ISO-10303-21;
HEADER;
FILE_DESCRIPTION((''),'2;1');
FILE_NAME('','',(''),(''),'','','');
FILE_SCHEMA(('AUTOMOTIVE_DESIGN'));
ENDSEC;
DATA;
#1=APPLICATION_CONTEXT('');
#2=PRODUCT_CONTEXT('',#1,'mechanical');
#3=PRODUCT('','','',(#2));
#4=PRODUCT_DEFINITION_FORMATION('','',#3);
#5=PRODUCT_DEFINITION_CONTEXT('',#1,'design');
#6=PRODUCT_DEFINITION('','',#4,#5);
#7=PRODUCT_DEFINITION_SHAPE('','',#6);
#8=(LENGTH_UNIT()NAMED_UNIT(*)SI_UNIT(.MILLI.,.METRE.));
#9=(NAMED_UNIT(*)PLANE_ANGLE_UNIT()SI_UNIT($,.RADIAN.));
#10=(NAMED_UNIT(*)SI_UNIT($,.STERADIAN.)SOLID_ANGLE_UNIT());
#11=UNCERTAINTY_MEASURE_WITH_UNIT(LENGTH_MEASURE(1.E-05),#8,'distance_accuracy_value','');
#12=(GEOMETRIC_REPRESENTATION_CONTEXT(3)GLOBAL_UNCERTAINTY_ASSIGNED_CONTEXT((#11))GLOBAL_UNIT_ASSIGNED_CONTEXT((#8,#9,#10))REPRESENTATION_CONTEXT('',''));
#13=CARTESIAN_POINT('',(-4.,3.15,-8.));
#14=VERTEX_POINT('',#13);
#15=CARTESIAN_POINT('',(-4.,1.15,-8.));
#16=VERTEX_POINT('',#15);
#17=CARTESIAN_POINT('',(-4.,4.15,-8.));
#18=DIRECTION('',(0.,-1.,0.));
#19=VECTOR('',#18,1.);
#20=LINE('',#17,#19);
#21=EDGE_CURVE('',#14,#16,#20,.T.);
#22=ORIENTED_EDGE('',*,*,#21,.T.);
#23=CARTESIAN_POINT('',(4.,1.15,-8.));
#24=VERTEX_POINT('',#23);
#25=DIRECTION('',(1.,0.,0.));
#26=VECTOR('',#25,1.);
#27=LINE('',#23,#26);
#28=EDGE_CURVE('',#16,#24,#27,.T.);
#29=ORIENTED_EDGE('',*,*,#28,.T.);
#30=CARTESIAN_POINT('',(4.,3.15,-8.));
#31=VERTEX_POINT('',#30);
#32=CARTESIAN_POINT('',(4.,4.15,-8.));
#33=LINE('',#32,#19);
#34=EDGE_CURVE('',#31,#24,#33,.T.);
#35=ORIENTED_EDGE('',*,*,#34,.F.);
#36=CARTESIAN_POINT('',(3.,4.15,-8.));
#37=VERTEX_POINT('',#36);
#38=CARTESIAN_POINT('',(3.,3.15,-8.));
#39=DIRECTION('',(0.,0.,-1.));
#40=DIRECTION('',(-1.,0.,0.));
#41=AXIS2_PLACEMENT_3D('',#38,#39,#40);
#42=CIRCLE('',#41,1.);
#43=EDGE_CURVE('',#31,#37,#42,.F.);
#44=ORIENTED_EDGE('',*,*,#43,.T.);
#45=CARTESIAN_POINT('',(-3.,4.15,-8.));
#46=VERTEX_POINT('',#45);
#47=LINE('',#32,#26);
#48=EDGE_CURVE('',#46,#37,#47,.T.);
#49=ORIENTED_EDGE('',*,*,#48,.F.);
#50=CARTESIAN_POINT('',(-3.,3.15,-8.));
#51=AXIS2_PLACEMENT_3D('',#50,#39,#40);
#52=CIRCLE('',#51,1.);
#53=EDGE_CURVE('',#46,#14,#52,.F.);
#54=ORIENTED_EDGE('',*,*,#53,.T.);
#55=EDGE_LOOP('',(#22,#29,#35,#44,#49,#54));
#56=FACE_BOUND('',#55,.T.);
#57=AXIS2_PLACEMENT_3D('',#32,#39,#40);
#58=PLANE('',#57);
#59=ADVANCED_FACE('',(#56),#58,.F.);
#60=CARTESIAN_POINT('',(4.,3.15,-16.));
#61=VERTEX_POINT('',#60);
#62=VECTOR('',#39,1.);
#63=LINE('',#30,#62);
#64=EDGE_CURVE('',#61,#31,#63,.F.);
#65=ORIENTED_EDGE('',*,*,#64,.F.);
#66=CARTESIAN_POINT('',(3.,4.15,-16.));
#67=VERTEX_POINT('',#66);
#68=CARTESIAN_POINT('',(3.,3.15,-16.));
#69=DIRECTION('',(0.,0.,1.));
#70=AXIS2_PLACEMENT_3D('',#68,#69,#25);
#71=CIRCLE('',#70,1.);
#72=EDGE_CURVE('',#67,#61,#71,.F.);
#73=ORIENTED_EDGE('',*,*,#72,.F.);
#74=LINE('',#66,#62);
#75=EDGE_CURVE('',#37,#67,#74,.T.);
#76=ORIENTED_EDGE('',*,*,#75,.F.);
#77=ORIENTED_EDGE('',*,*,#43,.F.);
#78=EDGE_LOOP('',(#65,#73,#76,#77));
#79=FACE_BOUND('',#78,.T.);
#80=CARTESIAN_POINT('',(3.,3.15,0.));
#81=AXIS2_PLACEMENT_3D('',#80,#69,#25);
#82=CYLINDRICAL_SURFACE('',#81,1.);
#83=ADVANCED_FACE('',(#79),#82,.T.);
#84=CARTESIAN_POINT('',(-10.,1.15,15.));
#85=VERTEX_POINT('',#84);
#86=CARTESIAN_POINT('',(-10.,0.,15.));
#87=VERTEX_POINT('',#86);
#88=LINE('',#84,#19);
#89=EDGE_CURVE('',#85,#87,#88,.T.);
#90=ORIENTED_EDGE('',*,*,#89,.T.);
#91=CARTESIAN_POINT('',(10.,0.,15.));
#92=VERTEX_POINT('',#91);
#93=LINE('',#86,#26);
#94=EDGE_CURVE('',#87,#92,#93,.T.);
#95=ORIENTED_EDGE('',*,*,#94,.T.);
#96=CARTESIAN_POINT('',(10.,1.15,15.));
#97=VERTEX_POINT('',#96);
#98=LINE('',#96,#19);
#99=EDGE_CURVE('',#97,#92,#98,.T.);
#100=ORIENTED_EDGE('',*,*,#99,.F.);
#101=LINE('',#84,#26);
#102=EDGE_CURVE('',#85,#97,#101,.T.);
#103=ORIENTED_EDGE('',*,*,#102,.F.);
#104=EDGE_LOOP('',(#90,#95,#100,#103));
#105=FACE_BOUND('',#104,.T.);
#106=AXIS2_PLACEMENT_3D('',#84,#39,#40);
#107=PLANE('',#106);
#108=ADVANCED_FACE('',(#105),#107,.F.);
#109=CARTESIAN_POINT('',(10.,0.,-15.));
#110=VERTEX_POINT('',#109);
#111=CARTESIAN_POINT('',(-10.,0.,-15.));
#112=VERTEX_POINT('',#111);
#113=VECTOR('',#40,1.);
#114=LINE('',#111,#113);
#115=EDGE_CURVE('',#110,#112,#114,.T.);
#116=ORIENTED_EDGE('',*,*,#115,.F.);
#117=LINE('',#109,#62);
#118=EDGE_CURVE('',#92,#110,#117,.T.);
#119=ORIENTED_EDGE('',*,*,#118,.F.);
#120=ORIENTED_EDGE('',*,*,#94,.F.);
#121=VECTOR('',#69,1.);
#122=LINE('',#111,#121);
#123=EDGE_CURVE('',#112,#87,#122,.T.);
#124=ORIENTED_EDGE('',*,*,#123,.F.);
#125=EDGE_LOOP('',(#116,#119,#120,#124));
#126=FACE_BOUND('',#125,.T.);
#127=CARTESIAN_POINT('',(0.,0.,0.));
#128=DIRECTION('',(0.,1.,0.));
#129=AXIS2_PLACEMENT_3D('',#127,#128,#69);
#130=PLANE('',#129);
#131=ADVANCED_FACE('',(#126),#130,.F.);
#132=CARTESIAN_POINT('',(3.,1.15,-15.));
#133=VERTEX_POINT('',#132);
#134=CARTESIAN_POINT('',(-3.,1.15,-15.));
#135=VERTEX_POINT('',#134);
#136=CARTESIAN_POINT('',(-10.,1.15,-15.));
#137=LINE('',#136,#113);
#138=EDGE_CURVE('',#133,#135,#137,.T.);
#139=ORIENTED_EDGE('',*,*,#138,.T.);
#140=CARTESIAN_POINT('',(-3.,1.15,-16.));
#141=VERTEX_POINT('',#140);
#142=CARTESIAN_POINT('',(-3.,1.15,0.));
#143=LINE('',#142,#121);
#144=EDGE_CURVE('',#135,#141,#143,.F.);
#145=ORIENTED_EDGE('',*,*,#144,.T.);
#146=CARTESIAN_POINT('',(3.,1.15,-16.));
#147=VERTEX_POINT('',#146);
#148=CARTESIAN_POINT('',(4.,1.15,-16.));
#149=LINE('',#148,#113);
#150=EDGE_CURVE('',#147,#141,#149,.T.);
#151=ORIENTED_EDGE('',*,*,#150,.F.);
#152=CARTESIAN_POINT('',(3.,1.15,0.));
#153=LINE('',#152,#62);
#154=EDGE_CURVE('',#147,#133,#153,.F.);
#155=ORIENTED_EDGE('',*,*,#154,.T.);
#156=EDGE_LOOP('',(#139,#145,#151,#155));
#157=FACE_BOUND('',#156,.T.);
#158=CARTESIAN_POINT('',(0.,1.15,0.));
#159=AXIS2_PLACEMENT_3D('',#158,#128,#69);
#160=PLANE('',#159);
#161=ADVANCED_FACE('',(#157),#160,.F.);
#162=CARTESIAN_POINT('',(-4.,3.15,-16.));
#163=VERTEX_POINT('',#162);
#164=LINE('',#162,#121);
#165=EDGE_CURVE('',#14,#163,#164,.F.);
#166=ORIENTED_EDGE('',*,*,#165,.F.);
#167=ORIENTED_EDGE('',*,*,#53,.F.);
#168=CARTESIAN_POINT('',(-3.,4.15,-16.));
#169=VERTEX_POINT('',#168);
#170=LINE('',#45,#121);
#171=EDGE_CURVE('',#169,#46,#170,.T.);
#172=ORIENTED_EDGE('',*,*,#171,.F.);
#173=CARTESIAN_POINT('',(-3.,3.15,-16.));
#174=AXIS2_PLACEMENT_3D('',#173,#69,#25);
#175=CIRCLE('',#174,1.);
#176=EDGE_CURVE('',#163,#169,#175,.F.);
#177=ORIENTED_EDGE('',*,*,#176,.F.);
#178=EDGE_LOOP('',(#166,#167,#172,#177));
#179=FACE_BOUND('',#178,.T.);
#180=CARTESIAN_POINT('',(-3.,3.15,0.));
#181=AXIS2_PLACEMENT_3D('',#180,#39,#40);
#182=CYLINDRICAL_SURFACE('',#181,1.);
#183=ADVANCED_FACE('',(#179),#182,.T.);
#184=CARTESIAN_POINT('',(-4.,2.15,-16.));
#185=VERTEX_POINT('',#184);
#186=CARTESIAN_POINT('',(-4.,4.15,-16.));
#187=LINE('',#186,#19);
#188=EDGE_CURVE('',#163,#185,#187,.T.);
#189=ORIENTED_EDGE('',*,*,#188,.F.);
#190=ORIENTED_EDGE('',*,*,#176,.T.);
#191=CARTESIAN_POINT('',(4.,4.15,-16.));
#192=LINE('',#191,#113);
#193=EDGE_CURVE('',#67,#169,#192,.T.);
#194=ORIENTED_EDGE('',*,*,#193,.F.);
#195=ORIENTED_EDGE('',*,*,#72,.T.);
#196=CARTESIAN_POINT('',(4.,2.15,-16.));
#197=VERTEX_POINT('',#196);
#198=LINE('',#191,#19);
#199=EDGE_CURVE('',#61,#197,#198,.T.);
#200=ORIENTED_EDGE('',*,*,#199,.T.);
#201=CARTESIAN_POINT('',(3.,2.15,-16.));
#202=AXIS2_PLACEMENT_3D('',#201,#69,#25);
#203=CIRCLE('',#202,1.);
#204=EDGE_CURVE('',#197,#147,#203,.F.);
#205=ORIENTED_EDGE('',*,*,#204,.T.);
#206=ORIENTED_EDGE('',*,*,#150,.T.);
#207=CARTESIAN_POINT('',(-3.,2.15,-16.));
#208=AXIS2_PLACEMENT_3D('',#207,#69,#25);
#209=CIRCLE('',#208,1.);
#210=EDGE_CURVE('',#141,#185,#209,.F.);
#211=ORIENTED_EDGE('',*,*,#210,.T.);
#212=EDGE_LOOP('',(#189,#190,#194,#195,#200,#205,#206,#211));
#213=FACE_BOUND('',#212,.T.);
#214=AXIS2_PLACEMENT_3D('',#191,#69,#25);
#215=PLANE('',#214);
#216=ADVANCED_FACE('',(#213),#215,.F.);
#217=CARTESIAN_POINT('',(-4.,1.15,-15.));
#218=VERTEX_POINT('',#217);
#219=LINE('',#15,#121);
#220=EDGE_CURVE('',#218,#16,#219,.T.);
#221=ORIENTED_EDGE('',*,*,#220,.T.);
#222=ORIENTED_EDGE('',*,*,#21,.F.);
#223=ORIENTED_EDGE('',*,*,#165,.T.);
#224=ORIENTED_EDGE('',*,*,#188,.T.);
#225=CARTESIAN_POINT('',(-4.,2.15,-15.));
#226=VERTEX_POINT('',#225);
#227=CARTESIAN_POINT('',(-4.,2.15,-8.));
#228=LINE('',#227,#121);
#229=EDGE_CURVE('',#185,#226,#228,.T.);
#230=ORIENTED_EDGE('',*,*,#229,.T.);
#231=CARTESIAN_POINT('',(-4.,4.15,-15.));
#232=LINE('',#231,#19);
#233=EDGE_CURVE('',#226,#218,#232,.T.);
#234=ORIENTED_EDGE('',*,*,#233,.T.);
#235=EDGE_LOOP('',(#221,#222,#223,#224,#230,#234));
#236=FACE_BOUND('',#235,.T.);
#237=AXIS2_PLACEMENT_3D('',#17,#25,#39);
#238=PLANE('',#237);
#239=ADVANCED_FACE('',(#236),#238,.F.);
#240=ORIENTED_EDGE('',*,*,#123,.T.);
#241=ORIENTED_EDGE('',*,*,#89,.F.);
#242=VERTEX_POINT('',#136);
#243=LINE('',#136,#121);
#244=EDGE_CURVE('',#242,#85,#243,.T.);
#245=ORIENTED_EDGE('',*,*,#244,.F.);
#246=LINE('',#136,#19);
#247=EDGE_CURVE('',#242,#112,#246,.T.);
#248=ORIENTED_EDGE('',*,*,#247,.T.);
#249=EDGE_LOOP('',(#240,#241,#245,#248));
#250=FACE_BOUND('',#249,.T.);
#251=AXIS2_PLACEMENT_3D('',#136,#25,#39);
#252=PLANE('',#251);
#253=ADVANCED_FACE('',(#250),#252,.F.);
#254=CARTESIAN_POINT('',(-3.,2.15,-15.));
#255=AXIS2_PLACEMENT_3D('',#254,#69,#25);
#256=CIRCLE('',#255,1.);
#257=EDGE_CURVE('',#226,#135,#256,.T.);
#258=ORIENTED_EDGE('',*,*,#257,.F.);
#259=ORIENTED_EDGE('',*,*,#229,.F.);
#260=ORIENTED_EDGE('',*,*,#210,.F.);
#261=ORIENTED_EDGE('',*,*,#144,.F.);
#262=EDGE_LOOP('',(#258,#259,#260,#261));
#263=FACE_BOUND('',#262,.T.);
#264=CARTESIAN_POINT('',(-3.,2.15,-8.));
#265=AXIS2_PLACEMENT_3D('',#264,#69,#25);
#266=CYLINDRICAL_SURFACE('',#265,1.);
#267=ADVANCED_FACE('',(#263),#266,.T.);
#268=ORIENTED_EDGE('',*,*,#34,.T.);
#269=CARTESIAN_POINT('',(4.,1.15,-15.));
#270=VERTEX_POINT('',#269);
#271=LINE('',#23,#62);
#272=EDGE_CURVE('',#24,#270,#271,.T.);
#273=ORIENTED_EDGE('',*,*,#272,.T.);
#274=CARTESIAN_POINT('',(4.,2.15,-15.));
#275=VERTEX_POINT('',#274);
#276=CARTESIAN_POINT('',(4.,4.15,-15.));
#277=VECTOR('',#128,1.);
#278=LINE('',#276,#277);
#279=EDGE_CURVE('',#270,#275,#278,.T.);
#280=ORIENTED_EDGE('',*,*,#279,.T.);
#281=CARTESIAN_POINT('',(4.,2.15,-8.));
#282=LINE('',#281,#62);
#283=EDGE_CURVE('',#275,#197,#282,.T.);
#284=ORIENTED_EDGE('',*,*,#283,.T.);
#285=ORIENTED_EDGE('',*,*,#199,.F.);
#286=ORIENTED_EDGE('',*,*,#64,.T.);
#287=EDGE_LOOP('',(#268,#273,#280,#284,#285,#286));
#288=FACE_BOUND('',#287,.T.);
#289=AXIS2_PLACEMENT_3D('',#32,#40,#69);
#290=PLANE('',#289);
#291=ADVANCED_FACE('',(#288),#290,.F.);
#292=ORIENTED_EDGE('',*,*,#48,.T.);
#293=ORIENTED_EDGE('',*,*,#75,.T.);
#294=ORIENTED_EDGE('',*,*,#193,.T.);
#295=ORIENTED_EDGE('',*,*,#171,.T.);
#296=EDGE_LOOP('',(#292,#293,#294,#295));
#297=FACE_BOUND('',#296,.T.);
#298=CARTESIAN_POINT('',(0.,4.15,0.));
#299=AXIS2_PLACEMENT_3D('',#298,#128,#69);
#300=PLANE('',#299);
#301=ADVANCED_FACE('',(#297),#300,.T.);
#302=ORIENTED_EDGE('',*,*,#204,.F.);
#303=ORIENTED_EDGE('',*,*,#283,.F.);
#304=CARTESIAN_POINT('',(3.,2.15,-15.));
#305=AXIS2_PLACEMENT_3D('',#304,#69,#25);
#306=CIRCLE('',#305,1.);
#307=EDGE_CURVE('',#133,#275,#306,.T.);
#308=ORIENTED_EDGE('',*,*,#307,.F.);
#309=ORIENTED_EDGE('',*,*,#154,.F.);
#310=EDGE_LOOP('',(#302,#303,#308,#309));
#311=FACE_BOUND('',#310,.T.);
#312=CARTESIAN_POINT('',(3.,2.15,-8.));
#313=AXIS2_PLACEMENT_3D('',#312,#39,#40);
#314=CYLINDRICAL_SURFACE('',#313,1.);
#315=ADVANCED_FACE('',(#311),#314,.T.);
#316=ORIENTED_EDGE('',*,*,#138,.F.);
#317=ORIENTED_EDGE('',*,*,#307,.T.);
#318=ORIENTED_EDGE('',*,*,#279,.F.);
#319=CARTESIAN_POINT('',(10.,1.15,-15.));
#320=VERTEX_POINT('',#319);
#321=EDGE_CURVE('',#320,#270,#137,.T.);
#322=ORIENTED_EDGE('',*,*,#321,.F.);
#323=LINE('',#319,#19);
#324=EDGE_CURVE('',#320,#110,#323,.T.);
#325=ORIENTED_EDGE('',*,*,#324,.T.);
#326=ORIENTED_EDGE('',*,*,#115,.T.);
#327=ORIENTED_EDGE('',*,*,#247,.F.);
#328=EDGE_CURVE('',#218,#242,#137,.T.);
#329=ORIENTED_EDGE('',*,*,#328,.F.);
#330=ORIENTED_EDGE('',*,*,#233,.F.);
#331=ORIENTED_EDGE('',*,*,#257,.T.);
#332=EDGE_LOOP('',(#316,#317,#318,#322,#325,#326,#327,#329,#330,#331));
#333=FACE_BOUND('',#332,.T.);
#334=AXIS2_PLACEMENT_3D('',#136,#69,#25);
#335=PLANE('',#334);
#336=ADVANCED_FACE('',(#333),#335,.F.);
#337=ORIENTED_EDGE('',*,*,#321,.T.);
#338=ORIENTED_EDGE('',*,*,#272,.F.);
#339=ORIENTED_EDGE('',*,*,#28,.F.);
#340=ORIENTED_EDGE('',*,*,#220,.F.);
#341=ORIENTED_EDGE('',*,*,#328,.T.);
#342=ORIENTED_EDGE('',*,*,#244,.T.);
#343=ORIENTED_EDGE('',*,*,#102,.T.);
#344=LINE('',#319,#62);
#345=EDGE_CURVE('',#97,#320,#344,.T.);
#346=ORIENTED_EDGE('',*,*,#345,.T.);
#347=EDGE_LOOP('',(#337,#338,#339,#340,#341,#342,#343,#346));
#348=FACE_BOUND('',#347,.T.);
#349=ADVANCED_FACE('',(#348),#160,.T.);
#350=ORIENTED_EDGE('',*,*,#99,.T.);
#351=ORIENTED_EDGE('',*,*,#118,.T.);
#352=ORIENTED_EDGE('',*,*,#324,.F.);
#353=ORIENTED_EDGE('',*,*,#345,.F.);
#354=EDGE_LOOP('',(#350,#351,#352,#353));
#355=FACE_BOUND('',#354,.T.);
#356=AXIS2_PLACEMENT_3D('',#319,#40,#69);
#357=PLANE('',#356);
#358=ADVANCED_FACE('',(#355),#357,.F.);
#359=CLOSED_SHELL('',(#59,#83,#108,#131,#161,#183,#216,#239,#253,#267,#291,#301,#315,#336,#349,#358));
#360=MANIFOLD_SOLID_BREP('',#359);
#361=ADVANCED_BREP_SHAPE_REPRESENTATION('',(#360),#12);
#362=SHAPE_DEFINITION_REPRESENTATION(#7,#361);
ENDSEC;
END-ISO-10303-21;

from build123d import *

# Parameters (mm, degrees)
CROQUIS1_W              = 20
CROQUIS1_H              = 30
SALIENTE_EXTRUIR1_DEPTH = 1.15
CROQUIS2_W              = 8
CROQUIS2_H              = 8
SALIENTE_EXTRUIR2_DEPTH = 3
REDONDEO1_R             = 1


with BuildPart() as part:
    # Croquis1 → Saliente-Extruir1 (new body)
    with BuildSketch(Plane(origin=(0, 0, 0), x_dir=(1, 0, 0), z_dir=(0, 1, 0))):
        Rectangle(CROQUIS1_W, CROQUIS1_H)
    extrude(amount=SALIENTE_EXTRUIR1_DEPTH)

    # Croquis2 → Saliente-Extruir2 (add)
    with BuildSketch(Plane(origin=(0, 1.15, 0), x_dir=(1, 0, 0), z_dir=(0, 1, 0))):
        with Locations((0, 12)):
            Rectangle(CROQUIS2_W, CROQUIS2_H)
    extrude(amount=SALIENTE_EXTRUIR2_DEPTH)

    # Redondeo1
    redondeo1_edges = [part.edges().sort_by_distance(p)[0] for p in [
        (-4, 1.15, -15.5),
        (4, 1.15, -15.5),
        (-4, 4.15, -12),
        (4, 4.15, -12),
    ]]
    fillet(redondeo1_edges, radius=REDONDEO1_R)


solid = part.part
